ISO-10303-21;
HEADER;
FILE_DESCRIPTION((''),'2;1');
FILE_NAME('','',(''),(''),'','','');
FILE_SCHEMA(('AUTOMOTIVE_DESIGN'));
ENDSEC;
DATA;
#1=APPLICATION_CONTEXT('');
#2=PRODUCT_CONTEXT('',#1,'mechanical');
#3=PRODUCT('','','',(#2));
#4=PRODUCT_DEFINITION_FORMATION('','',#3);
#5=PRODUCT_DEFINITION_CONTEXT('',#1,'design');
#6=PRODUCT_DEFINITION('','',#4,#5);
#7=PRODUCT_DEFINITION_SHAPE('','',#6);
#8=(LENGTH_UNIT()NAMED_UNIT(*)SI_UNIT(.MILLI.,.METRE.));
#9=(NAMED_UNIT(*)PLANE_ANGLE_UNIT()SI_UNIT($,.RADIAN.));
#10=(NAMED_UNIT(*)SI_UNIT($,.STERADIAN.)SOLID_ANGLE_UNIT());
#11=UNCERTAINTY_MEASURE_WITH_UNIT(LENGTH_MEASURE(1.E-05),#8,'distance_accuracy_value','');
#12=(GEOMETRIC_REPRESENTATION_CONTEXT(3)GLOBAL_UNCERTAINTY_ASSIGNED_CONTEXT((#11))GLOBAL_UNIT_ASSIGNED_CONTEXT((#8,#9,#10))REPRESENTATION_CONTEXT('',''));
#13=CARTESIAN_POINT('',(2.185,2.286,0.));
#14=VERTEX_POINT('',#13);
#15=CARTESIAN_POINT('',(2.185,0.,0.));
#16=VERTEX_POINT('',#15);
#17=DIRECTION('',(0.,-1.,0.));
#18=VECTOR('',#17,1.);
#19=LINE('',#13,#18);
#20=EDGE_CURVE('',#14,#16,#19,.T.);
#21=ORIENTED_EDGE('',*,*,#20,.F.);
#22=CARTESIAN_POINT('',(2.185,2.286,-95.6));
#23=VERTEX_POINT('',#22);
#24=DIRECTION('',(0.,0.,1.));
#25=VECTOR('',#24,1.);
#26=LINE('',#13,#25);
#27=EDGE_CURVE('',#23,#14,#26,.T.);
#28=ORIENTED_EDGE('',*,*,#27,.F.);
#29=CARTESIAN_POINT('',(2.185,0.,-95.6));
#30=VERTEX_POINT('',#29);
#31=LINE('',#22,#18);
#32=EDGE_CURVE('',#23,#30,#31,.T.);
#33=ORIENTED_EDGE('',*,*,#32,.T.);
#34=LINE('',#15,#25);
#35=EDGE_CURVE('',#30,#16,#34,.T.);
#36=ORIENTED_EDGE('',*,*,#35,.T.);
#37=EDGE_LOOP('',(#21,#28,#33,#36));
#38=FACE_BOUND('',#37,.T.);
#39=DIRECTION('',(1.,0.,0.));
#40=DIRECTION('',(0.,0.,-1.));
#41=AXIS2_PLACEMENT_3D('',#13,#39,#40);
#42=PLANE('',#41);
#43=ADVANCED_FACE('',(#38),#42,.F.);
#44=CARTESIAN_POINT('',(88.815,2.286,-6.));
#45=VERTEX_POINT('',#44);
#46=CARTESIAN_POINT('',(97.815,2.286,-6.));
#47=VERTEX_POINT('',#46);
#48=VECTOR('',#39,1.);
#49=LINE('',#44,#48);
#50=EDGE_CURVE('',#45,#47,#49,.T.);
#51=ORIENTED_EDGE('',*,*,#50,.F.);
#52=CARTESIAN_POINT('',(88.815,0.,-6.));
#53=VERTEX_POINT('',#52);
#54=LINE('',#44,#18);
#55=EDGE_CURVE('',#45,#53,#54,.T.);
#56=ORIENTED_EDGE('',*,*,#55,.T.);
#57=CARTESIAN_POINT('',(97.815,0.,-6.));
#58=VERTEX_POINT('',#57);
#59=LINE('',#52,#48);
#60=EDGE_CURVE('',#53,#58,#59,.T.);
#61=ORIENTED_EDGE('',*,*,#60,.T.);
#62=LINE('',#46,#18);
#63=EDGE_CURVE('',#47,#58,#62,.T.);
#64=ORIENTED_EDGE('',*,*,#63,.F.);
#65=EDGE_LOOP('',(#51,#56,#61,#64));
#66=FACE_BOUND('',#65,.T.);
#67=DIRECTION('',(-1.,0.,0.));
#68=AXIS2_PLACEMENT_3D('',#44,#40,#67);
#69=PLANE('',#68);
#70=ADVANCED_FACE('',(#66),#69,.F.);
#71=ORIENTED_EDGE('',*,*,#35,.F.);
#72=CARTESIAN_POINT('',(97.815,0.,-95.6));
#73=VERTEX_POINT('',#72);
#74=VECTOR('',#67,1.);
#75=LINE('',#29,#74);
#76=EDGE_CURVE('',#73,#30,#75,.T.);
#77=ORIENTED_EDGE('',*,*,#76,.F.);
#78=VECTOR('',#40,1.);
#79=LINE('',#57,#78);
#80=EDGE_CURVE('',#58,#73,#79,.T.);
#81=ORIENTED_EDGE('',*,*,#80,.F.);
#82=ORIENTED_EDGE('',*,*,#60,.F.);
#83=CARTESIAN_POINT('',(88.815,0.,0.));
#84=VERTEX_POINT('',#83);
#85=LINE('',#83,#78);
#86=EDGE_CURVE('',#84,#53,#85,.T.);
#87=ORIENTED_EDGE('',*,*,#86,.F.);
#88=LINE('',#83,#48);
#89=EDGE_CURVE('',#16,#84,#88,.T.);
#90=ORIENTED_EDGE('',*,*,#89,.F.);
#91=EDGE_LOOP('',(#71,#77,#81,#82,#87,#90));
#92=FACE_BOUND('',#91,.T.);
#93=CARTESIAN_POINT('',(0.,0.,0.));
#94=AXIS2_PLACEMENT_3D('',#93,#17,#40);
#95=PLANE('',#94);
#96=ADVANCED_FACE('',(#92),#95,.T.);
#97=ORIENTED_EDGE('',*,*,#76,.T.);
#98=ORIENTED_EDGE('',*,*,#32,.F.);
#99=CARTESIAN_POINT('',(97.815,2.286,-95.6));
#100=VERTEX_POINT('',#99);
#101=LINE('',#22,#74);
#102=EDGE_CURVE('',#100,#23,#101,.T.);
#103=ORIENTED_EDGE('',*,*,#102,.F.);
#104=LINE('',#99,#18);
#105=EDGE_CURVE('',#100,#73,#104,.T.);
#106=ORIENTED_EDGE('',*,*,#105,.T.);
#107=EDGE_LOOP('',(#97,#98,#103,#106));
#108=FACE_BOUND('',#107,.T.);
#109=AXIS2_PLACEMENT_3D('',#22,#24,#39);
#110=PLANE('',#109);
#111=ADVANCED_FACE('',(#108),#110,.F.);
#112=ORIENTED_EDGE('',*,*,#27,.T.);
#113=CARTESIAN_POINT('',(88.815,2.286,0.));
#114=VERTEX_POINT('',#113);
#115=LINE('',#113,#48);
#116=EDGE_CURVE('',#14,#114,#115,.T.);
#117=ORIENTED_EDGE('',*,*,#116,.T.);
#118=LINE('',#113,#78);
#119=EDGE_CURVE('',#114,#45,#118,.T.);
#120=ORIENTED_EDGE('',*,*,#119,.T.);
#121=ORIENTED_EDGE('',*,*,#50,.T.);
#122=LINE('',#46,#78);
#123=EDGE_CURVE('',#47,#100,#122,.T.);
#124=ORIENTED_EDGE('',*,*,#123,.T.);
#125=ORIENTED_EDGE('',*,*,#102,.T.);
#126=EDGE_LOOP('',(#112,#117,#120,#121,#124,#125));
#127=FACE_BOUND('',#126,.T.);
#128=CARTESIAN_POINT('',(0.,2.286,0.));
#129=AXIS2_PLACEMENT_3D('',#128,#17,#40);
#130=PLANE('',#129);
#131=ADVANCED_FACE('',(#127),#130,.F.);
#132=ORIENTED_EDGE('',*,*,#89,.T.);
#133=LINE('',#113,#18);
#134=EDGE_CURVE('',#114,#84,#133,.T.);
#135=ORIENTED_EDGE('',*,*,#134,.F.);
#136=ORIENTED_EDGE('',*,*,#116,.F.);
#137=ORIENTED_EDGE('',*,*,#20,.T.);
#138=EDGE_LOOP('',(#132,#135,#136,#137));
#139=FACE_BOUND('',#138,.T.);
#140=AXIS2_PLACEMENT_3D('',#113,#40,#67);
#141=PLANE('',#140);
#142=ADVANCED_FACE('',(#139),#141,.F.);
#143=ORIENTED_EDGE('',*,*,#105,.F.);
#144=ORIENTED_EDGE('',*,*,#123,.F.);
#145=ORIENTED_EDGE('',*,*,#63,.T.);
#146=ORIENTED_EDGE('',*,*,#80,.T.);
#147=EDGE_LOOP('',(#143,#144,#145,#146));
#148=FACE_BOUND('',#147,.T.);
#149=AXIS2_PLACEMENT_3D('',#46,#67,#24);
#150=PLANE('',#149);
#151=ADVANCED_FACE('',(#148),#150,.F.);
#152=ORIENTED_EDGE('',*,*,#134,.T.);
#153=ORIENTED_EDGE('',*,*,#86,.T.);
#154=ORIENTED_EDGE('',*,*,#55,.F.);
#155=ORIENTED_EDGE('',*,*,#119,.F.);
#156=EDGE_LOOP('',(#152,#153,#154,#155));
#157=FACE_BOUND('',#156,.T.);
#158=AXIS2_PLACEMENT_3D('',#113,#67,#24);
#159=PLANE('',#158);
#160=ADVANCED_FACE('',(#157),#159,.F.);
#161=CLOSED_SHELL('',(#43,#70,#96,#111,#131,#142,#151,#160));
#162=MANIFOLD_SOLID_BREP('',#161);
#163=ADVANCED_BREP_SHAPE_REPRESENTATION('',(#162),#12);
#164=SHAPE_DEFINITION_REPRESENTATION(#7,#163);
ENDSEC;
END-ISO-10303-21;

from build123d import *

# Parameters (mm, degrees)
BOSS_EXTRUDE1_DEPTH = 2.286


with BuildPart() as part:
    # Sketch1 → Boss-Extrude1 (new body)
    with BuildSketch(Plane(origin=(0, 0, 0), x_dir=(1, 0, 0), z_dir=(0, 1, 0))):
        Polygon((88.815, 0), (88.815, 6), (97.815, 6), (97.815, 95.6), (2.185, 95.6), (2.185, 0), align=None)
    extrude(amount=BOSS_EXTRUDE1_DEPTH)


solid = part.part
